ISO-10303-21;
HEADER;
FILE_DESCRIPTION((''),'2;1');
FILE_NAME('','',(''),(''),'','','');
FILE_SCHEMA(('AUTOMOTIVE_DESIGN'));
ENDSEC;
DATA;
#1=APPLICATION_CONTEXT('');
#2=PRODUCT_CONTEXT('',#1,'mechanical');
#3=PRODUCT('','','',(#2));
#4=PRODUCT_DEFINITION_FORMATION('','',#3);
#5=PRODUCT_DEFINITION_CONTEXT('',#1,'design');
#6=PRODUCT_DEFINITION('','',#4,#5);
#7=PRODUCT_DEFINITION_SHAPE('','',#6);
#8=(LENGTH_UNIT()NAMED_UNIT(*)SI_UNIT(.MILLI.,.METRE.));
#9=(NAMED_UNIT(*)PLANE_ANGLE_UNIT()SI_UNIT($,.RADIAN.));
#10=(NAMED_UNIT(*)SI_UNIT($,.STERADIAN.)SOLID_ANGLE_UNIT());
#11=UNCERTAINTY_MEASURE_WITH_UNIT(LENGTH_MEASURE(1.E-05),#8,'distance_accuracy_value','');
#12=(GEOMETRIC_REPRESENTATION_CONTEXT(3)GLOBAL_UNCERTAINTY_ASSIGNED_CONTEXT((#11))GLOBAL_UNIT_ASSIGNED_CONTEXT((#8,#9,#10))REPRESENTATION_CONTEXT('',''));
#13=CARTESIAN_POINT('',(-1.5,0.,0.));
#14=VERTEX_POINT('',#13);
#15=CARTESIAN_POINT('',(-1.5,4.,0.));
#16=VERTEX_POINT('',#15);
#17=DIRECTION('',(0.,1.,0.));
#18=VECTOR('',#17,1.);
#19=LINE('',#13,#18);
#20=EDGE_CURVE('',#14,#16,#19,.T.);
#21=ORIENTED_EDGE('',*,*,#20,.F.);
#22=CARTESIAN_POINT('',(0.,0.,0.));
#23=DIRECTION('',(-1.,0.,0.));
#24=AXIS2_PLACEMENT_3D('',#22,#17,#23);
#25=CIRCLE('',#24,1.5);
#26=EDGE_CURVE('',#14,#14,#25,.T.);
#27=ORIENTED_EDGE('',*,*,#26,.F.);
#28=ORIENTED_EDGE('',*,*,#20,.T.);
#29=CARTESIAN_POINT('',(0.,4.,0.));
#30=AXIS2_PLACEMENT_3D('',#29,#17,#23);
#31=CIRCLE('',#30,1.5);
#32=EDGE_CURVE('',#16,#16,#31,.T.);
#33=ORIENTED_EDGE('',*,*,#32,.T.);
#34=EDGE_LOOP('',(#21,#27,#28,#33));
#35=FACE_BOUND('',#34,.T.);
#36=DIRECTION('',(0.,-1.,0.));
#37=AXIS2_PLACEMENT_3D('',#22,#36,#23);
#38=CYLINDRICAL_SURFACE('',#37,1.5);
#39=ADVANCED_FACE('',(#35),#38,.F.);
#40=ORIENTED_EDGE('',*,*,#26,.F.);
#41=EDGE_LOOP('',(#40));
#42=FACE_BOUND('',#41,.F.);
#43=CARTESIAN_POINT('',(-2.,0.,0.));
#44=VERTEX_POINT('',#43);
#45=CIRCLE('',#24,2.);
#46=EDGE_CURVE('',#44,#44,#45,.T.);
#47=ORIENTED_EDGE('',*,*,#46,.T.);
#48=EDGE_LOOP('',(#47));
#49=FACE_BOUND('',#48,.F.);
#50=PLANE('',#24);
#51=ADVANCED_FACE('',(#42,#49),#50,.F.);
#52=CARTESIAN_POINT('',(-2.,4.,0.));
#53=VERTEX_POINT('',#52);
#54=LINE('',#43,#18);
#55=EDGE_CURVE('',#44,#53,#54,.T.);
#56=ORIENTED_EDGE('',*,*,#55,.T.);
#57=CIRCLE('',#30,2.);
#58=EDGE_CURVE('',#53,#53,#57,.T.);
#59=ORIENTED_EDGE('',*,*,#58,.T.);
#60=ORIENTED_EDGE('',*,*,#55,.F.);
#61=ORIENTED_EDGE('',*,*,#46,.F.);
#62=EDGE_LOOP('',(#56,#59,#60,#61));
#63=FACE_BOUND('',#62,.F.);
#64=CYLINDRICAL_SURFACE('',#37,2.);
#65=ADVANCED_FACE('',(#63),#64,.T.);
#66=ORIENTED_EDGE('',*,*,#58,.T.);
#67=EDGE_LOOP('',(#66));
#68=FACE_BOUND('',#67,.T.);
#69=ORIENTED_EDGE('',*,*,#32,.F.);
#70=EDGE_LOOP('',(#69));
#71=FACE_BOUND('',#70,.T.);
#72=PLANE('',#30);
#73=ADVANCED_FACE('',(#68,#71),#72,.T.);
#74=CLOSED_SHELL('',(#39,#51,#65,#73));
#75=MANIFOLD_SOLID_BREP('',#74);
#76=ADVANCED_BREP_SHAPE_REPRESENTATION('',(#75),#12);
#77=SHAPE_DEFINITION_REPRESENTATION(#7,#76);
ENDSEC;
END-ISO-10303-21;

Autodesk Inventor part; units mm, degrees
ref_plane "YZ Plane" through (0, 0, 0) normal (1, 0, 0) x (0, 1, 0)
ref_plane "XZ Plane" through (0, 0, 0) normal (0, 1, 0) x (-1, 0, 0)
ref_plane "XY Plane" through (0, 0, 0) normal (0, 0, 1) x (1, 0, 0)
sketch "Skizze1" plane through (0, 0, 0) normal (0, 1, 0) x (-1, 0, 0)
  circle A0 centre (0, 0) radius 1.5
  circle A1 centre (0, 0) radius 2
  dimension "d1" = 0.5
  dimension "d2" = 4
extrude "Extrusion1" add sketch "Skizze1" along normal blind 4
properties part number "PlaceholderSmall" material "Aluminium 6061"
